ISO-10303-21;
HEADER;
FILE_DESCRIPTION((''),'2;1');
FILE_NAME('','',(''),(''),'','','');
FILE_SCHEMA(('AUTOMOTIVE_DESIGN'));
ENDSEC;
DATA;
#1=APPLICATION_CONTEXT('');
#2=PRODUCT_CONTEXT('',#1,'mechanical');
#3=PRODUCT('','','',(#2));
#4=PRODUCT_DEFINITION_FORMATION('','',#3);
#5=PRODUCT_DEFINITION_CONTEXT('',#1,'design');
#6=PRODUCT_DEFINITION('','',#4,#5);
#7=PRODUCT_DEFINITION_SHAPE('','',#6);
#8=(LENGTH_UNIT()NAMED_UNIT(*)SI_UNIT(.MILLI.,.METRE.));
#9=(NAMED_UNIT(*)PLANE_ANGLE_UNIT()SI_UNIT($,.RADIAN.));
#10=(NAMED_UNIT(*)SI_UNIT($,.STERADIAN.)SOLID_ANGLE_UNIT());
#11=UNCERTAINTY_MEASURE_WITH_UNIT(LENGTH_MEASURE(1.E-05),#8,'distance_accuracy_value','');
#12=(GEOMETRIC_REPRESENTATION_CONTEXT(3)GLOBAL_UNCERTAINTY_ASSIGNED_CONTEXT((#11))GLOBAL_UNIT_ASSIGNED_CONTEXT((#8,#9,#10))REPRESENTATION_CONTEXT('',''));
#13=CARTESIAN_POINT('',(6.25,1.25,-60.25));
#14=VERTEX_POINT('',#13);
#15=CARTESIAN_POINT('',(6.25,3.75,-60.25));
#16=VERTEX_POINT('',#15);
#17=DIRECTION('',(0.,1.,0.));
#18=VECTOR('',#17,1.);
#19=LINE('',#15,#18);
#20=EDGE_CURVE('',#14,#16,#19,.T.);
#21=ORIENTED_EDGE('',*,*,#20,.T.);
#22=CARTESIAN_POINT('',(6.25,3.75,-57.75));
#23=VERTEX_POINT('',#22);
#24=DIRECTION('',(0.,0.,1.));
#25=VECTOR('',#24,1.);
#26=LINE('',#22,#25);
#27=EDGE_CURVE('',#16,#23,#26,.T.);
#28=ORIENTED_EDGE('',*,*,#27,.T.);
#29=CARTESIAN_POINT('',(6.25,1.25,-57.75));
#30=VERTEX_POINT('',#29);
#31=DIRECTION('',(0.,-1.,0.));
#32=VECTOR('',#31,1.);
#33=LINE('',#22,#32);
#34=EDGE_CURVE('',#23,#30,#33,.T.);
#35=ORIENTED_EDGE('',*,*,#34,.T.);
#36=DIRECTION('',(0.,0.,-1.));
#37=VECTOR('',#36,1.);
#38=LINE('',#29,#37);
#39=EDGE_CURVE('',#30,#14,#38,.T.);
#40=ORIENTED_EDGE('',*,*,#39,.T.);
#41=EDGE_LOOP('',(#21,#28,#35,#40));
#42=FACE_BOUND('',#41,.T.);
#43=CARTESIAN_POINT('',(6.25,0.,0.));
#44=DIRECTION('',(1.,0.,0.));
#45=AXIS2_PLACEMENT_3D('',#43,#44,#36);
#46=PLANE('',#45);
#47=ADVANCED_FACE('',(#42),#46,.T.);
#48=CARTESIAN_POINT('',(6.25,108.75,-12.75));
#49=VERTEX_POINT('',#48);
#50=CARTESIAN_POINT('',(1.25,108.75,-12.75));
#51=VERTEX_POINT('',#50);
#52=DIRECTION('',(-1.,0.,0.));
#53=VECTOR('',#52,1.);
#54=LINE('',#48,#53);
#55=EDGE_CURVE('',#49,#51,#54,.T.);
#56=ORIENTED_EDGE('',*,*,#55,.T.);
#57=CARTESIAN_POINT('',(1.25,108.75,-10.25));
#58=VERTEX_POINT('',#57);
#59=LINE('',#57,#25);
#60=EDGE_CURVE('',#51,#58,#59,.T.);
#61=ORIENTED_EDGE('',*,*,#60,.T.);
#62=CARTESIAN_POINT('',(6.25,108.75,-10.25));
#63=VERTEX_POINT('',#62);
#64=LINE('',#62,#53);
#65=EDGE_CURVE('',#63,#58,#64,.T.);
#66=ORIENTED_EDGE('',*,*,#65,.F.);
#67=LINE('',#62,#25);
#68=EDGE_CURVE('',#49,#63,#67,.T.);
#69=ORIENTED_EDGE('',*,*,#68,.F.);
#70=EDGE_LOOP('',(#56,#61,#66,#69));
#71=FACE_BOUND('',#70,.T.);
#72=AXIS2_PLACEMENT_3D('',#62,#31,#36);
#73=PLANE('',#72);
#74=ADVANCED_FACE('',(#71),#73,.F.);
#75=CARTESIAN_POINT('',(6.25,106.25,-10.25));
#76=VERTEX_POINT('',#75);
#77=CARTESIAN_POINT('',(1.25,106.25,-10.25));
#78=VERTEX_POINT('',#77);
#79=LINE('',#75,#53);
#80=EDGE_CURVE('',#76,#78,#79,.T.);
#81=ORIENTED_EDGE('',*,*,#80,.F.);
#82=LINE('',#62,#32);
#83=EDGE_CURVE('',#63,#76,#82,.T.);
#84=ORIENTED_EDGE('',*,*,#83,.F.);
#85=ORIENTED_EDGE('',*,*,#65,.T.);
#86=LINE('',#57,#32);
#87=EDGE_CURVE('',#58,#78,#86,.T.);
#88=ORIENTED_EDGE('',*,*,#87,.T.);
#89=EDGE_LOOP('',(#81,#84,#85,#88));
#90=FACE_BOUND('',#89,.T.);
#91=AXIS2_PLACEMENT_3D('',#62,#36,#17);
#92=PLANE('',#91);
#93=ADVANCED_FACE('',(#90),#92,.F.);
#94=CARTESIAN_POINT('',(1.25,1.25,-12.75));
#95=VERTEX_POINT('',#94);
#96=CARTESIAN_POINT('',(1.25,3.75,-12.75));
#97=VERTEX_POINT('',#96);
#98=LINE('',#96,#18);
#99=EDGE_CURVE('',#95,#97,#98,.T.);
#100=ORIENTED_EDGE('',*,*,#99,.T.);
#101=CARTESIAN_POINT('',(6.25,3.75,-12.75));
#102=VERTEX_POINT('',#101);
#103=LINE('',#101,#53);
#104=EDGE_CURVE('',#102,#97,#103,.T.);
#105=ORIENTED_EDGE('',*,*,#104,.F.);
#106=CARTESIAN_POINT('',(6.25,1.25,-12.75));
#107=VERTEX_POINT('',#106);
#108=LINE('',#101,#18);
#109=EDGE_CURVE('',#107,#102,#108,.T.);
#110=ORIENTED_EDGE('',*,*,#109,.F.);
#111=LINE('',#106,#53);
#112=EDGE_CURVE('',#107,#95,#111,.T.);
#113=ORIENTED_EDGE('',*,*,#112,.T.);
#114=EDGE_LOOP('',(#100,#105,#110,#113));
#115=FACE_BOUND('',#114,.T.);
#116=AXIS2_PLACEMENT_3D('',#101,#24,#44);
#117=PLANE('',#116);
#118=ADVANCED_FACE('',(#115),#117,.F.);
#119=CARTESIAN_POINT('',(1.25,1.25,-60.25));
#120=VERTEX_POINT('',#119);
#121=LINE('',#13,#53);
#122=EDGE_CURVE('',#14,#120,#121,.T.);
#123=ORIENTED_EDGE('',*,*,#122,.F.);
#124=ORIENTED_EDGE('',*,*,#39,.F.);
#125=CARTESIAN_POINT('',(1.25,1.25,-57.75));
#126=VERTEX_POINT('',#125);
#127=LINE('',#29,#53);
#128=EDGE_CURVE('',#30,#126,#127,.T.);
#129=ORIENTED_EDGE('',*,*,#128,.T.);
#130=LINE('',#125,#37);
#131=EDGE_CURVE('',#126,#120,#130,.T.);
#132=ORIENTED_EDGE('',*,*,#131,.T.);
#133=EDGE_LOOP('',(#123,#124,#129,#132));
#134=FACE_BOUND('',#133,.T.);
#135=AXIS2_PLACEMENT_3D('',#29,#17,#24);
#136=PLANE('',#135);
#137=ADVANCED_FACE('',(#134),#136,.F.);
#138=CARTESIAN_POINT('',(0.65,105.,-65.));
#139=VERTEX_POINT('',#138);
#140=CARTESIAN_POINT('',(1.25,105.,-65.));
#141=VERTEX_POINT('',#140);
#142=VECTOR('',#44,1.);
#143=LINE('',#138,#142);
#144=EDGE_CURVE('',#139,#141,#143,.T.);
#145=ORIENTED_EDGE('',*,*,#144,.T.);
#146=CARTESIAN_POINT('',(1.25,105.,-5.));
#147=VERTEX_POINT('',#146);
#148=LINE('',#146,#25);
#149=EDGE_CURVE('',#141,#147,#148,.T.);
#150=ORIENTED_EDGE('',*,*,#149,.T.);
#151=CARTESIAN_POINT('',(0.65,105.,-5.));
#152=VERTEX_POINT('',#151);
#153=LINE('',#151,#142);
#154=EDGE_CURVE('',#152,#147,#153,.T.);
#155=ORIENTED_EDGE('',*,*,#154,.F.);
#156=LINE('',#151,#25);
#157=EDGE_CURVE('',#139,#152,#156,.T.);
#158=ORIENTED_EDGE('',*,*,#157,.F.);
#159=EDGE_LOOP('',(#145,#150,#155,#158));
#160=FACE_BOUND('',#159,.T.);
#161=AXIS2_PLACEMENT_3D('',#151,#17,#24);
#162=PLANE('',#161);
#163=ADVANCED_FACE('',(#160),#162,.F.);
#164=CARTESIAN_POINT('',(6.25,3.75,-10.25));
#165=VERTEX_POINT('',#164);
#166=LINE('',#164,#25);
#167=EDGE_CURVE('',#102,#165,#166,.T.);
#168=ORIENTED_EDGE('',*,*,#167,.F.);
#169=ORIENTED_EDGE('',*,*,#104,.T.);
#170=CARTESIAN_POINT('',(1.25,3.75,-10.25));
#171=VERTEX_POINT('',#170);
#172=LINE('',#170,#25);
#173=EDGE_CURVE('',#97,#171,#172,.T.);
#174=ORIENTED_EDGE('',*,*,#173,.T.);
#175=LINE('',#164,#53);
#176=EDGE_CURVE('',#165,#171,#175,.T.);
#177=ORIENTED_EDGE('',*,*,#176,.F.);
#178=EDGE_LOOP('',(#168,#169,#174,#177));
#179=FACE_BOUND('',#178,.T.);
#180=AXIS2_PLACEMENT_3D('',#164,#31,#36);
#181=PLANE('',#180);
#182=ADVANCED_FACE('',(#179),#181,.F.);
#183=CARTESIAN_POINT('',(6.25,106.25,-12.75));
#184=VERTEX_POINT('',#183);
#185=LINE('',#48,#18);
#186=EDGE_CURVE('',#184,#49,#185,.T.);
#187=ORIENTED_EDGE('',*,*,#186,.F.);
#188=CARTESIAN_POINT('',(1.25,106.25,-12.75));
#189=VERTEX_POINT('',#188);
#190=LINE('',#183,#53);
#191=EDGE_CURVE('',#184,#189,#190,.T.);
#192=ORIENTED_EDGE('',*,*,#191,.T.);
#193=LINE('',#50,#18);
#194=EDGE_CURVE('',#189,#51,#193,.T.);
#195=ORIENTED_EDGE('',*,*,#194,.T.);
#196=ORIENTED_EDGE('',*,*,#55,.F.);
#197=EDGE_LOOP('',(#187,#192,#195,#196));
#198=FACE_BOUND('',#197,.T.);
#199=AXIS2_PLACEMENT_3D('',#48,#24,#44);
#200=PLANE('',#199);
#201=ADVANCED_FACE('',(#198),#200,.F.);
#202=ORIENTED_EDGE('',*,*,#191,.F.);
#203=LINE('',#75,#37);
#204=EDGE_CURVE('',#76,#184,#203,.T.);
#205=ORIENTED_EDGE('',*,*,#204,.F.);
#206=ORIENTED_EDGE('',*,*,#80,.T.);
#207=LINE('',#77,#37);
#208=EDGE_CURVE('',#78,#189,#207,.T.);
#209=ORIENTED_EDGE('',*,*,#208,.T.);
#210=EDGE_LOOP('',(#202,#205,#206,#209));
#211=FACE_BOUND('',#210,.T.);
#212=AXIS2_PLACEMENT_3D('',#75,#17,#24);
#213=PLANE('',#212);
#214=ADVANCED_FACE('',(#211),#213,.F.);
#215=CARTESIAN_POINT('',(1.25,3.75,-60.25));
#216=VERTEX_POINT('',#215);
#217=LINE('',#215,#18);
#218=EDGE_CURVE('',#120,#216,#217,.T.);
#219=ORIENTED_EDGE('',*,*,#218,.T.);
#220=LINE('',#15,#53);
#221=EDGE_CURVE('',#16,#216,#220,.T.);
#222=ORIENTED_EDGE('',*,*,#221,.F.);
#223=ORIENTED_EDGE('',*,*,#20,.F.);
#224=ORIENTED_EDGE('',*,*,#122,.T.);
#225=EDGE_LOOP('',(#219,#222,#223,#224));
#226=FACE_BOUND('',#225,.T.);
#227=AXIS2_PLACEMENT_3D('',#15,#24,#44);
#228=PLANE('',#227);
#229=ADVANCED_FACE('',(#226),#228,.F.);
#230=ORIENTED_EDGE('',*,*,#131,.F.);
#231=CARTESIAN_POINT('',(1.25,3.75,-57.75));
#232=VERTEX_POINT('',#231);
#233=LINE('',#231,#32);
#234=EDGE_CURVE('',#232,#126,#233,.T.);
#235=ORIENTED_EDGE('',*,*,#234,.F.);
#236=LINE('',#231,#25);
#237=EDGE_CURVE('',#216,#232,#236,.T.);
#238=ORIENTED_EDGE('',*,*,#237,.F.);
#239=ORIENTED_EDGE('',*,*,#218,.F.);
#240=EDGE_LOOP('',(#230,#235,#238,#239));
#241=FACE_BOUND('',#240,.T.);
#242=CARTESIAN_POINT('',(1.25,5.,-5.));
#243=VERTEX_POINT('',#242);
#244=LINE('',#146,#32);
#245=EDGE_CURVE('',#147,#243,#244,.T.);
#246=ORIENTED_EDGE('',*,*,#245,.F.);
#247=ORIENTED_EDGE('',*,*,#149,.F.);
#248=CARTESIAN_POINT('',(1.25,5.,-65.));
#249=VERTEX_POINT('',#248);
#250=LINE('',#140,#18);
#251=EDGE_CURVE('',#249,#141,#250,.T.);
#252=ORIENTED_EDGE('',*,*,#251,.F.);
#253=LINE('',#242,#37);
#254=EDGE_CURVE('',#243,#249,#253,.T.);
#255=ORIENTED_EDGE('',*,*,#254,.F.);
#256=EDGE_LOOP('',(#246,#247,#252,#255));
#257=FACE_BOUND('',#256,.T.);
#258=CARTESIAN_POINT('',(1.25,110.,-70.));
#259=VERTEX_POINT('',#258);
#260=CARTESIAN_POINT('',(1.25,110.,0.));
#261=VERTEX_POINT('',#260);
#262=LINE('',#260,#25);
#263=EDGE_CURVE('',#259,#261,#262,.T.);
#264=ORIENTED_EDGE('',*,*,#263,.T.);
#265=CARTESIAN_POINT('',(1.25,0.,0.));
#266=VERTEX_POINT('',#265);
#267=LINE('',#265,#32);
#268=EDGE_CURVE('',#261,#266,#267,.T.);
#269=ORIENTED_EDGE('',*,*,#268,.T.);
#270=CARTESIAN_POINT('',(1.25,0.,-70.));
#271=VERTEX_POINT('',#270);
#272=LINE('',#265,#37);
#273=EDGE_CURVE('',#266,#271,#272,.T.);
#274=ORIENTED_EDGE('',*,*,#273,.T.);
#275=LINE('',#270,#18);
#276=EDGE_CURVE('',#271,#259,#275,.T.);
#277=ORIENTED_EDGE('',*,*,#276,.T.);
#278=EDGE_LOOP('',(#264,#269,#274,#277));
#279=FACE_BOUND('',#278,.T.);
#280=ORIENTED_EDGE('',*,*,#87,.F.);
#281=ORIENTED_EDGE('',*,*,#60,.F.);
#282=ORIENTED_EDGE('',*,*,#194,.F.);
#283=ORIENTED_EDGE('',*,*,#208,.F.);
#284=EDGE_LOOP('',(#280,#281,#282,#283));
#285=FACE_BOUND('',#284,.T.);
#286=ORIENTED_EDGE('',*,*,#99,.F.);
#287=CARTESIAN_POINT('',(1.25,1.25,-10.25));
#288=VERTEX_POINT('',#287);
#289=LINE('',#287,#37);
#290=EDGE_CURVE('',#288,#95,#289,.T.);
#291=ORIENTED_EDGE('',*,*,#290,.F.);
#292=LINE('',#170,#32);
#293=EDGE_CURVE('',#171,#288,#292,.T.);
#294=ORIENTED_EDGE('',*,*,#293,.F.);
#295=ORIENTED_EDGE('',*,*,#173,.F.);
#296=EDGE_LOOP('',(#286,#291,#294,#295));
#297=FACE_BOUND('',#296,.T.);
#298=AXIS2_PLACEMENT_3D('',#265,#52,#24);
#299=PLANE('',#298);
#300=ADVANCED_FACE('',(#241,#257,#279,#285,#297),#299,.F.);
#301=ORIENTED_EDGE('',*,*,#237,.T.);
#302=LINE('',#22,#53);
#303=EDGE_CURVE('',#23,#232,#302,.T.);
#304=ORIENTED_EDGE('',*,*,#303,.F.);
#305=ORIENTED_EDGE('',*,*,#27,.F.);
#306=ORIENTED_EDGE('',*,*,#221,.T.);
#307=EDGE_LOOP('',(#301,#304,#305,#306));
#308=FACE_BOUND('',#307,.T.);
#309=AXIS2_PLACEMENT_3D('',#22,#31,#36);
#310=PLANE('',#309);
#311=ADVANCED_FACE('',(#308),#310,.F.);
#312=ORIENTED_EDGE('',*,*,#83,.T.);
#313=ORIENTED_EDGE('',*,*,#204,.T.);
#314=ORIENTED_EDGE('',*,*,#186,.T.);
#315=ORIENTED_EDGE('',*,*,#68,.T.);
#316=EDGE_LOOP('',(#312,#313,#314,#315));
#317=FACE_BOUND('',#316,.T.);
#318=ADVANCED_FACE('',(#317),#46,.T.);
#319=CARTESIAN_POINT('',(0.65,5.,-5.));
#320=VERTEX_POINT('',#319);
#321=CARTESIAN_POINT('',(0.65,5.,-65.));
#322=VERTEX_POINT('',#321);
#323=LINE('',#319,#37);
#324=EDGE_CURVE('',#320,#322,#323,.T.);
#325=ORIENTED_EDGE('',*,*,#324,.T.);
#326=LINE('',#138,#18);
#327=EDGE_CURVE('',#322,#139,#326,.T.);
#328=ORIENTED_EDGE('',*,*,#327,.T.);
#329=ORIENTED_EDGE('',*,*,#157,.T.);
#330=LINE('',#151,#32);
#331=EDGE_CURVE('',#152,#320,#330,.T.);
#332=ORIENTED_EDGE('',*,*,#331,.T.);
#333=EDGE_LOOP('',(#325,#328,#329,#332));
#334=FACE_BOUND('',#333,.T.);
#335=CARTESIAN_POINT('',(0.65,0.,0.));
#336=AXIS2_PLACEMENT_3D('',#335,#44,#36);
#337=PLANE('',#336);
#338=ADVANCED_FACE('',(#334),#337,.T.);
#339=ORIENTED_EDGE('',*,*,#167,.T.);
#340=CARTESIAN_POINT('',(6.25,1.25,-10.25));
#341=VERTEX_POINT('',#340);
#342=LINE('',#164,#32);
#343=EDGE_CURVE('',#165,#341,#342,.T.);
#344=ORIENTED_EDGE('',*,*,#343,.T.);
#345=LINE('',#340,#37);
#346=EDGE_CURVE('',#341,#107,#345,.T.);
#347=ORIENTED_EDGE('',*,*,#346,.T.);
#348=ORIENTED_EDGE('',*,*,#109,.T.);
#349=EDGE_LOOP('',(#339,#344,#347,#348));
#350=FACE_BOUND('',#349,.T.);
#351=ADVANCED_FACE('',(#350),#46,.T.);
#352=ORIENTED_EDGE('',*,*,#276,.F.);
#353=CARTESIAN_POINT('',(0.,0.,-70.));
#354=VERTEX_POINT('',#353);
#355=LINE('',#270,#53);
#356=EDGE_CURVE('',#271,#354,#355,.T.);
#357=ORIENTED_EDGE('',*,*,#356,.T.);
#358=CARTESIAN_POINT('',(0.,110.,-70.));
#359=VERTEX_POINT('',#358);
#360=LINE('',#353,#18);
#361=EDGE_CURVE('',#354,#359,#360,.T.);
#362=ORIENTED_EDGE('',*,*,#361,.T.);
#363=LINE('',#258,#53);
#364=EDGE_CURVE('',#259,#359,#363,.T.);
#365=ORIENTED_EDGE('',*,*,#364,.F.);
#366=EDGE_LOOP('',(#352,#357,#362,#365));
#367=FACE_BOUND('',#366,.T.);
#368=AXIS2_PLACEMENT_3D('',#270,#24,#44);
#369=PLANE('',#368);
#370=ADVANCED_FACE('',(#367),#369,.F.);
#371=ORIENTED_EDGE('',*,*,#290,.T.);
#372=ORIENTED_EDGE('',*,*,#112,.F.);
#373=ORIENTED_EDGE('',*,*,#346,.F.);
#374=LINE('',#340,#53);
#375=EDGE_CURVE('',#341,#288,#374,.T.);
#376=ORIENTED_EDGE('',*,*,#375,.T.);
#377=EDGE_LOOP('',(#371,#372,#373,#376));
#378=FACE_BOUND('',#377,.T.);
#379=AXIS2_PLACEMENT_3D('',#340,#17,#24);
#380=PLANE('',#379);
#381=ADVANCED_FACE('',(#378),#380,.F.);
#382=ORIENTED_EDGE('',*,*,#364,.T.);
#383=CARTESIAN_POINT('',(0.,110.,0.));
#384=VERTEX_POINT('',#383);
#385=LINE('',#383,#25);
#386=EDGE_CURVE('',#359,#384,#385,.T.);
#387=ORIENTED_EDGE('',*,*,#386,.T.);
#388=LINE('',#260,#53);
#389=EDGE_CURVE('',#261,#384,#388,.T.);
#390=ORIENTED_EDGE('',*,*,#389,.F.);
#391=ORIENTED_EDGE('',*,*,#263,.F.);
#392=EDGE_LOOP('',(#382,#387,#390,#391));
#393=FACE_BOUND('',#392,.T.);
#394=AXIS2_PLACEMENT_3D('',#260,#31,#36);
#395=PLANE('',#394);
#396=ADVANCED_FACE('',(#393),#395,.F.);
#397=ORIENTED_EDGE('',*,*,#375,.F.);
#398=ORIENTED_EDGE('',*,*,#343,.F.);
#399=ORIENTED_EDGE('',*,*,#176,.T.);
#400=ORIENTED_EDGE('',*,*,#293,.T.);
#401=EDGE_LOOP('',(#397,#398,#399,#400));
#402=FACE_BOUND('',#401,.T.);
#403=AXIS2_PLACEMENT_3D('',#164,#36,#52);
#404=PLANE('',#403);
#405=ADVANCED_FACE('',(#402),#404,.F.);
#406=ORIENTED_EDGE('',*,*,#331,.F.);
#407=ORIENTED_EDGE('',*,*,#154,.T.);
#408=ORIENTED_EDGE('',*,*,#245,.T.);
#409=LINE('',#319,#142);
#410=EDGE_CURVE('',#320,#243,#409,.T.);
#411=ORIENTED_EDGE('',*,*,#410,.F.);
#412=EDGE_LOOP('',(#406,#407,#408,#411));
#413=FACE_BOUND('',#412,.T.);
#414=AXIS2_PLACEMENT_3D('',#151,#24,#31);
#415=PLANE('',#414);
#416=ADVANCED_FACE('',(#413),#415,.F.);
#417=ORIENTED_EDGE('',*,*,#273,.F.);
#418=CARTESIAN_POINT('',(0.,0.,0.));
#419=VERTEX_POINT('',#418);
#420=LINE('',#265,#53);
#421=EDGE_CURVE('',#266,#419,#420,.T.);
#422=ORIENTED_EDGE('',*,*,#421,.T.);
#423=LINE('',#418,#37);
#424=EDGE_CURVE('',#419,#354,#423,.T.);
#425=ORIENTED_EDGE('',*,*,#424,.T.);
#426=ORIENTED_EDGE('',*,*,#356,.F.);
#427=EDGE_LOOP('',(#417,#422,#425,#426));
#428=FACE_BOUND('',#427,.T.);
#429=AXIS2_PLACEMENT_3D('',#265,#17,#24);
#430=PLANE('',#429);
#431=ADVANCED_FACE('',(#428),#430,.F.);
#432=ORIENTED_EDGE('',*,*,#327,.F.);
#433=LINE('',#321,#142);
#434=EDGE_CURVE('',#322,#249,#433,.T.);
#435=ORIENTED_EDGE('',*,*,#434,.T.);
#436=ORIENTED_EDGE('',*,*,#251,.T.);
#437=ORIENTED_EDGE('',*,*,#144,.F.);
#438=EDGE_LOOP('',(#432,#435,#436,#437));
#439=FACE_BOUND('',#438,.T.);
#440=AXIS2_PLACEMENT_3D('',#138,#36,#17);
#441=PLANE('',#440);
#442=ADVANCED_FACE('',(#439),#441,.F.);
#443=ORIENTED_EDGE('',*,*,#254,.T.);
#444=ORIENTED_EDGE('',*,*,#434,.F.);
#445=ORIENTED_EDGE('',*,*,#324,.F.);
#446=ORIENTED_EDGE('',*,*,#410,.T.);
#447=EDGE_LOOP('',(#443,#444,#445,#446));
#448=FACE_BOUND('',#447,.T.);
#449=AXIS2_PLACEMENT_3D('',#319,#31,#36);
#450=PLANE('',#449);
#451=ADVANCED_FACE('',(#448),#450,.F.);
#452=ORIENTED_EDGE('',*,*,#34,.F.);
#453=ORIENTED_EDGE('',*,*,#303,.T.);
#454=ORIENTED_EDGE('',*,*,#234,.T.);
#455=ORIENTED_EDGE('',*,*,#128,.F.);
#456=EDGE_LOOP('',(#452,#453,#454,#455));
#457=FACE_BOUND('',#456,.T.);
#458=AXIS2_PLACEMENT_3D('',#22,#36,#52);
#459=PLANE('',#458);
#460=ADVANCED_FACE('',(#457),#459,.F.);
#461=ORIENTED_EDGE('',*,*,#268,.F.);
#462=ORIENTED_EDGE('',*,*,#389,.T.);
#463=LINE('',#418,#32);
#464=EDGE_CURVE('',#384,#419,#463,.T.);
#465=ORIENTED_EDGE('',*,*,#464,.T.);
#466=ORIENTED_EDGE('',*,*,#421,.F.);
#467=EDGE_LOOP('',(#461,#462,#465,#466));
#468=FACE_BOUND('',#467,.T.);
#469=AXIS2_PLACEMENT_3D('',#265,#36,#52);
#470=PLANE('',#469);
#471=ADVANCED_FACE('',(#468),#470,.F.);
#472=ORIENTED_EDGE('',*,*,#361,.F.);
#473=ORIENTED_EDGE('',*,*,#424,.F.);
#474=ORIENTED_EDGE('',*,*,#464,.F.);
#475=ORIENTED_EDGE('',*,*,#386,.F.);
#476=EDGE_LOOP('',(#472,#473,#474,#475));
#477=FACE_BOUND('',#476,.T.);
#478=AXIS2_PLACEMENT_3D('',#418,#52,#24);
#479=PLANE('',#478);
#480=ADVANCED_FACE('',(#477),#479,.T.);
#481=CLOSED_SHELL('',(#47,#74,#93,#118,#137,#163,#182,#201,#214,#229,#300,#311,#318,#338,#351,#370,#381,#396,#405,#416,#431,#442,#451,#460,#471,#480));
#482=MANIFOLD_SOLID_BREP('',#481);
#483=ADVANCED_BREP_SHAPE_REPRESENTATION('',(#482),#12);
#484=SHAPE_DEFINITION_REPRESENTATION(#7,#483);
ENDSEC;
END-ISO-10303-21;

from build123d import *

# Parameters (mm, degrees)
SKETCH1_W           = 70
SKETCH1_H           = 110
BOSS_EXTRUDE1_DEPTH = 1.25
SKETCH2_W           = 2.5
SKETCH2_H           = 2.5
BOSS_EXTRUDE2_DEPTH = 5
SKETCH3_W           = 60
SKETCH3_H           = 100
CUT_EXTRUDE1_DEPTH  = 0.6


with BuildPart() as part:
    # Sketch1 → Boss-Extrude1 (new body)
    with BuildSketch(Plane(origin=(0, 0, 0), x_dir=(0, 0, -1), z_dir=(1, 0, 0))):
        with Locations((35, 55)):
            Rectangle(SKETCH1_W, SKETCH1_H)
    extrude(amount=BOSS_EXTRUDE1_DEPTH)

    # Sketch2 → Boss-Extrude2 (add)
    with BuildSketch(Plane(origin=(1.25, 0, 0), x_dir=(0, 0, -1), z_dir=(1, 0, 0))):
        with Locations((11.5, 107.5)):
            Rectangle(SKETCH2_W, SKETCH2_H)
        with Locations((11.5, 2.5)):
            Rectangle(SKETCH2_W, SKETCH2_H)
        with Locations((59, 2.5)):
            Rectangle(SKETCH2_W, SKETCH2_H)
    extrude(amount=BOSS_EXTRUDE2_DEPTH)

    # Sketch3 → Cut-Extrude1 (cut)
    with BuildSketch(Plane(origin=(1.25, 0, 0), x_dir=(0, 0, -1), z_dir=(1, 0, 0))):
        with Locations((35, 55)):
            Rectangle(SKETCH3_W, SKETCH3_H)
    extrude(amount=-CUT_EXTRUDE1_DEPTH, mode=Mode.SUBTRACT)


solid = part.part
